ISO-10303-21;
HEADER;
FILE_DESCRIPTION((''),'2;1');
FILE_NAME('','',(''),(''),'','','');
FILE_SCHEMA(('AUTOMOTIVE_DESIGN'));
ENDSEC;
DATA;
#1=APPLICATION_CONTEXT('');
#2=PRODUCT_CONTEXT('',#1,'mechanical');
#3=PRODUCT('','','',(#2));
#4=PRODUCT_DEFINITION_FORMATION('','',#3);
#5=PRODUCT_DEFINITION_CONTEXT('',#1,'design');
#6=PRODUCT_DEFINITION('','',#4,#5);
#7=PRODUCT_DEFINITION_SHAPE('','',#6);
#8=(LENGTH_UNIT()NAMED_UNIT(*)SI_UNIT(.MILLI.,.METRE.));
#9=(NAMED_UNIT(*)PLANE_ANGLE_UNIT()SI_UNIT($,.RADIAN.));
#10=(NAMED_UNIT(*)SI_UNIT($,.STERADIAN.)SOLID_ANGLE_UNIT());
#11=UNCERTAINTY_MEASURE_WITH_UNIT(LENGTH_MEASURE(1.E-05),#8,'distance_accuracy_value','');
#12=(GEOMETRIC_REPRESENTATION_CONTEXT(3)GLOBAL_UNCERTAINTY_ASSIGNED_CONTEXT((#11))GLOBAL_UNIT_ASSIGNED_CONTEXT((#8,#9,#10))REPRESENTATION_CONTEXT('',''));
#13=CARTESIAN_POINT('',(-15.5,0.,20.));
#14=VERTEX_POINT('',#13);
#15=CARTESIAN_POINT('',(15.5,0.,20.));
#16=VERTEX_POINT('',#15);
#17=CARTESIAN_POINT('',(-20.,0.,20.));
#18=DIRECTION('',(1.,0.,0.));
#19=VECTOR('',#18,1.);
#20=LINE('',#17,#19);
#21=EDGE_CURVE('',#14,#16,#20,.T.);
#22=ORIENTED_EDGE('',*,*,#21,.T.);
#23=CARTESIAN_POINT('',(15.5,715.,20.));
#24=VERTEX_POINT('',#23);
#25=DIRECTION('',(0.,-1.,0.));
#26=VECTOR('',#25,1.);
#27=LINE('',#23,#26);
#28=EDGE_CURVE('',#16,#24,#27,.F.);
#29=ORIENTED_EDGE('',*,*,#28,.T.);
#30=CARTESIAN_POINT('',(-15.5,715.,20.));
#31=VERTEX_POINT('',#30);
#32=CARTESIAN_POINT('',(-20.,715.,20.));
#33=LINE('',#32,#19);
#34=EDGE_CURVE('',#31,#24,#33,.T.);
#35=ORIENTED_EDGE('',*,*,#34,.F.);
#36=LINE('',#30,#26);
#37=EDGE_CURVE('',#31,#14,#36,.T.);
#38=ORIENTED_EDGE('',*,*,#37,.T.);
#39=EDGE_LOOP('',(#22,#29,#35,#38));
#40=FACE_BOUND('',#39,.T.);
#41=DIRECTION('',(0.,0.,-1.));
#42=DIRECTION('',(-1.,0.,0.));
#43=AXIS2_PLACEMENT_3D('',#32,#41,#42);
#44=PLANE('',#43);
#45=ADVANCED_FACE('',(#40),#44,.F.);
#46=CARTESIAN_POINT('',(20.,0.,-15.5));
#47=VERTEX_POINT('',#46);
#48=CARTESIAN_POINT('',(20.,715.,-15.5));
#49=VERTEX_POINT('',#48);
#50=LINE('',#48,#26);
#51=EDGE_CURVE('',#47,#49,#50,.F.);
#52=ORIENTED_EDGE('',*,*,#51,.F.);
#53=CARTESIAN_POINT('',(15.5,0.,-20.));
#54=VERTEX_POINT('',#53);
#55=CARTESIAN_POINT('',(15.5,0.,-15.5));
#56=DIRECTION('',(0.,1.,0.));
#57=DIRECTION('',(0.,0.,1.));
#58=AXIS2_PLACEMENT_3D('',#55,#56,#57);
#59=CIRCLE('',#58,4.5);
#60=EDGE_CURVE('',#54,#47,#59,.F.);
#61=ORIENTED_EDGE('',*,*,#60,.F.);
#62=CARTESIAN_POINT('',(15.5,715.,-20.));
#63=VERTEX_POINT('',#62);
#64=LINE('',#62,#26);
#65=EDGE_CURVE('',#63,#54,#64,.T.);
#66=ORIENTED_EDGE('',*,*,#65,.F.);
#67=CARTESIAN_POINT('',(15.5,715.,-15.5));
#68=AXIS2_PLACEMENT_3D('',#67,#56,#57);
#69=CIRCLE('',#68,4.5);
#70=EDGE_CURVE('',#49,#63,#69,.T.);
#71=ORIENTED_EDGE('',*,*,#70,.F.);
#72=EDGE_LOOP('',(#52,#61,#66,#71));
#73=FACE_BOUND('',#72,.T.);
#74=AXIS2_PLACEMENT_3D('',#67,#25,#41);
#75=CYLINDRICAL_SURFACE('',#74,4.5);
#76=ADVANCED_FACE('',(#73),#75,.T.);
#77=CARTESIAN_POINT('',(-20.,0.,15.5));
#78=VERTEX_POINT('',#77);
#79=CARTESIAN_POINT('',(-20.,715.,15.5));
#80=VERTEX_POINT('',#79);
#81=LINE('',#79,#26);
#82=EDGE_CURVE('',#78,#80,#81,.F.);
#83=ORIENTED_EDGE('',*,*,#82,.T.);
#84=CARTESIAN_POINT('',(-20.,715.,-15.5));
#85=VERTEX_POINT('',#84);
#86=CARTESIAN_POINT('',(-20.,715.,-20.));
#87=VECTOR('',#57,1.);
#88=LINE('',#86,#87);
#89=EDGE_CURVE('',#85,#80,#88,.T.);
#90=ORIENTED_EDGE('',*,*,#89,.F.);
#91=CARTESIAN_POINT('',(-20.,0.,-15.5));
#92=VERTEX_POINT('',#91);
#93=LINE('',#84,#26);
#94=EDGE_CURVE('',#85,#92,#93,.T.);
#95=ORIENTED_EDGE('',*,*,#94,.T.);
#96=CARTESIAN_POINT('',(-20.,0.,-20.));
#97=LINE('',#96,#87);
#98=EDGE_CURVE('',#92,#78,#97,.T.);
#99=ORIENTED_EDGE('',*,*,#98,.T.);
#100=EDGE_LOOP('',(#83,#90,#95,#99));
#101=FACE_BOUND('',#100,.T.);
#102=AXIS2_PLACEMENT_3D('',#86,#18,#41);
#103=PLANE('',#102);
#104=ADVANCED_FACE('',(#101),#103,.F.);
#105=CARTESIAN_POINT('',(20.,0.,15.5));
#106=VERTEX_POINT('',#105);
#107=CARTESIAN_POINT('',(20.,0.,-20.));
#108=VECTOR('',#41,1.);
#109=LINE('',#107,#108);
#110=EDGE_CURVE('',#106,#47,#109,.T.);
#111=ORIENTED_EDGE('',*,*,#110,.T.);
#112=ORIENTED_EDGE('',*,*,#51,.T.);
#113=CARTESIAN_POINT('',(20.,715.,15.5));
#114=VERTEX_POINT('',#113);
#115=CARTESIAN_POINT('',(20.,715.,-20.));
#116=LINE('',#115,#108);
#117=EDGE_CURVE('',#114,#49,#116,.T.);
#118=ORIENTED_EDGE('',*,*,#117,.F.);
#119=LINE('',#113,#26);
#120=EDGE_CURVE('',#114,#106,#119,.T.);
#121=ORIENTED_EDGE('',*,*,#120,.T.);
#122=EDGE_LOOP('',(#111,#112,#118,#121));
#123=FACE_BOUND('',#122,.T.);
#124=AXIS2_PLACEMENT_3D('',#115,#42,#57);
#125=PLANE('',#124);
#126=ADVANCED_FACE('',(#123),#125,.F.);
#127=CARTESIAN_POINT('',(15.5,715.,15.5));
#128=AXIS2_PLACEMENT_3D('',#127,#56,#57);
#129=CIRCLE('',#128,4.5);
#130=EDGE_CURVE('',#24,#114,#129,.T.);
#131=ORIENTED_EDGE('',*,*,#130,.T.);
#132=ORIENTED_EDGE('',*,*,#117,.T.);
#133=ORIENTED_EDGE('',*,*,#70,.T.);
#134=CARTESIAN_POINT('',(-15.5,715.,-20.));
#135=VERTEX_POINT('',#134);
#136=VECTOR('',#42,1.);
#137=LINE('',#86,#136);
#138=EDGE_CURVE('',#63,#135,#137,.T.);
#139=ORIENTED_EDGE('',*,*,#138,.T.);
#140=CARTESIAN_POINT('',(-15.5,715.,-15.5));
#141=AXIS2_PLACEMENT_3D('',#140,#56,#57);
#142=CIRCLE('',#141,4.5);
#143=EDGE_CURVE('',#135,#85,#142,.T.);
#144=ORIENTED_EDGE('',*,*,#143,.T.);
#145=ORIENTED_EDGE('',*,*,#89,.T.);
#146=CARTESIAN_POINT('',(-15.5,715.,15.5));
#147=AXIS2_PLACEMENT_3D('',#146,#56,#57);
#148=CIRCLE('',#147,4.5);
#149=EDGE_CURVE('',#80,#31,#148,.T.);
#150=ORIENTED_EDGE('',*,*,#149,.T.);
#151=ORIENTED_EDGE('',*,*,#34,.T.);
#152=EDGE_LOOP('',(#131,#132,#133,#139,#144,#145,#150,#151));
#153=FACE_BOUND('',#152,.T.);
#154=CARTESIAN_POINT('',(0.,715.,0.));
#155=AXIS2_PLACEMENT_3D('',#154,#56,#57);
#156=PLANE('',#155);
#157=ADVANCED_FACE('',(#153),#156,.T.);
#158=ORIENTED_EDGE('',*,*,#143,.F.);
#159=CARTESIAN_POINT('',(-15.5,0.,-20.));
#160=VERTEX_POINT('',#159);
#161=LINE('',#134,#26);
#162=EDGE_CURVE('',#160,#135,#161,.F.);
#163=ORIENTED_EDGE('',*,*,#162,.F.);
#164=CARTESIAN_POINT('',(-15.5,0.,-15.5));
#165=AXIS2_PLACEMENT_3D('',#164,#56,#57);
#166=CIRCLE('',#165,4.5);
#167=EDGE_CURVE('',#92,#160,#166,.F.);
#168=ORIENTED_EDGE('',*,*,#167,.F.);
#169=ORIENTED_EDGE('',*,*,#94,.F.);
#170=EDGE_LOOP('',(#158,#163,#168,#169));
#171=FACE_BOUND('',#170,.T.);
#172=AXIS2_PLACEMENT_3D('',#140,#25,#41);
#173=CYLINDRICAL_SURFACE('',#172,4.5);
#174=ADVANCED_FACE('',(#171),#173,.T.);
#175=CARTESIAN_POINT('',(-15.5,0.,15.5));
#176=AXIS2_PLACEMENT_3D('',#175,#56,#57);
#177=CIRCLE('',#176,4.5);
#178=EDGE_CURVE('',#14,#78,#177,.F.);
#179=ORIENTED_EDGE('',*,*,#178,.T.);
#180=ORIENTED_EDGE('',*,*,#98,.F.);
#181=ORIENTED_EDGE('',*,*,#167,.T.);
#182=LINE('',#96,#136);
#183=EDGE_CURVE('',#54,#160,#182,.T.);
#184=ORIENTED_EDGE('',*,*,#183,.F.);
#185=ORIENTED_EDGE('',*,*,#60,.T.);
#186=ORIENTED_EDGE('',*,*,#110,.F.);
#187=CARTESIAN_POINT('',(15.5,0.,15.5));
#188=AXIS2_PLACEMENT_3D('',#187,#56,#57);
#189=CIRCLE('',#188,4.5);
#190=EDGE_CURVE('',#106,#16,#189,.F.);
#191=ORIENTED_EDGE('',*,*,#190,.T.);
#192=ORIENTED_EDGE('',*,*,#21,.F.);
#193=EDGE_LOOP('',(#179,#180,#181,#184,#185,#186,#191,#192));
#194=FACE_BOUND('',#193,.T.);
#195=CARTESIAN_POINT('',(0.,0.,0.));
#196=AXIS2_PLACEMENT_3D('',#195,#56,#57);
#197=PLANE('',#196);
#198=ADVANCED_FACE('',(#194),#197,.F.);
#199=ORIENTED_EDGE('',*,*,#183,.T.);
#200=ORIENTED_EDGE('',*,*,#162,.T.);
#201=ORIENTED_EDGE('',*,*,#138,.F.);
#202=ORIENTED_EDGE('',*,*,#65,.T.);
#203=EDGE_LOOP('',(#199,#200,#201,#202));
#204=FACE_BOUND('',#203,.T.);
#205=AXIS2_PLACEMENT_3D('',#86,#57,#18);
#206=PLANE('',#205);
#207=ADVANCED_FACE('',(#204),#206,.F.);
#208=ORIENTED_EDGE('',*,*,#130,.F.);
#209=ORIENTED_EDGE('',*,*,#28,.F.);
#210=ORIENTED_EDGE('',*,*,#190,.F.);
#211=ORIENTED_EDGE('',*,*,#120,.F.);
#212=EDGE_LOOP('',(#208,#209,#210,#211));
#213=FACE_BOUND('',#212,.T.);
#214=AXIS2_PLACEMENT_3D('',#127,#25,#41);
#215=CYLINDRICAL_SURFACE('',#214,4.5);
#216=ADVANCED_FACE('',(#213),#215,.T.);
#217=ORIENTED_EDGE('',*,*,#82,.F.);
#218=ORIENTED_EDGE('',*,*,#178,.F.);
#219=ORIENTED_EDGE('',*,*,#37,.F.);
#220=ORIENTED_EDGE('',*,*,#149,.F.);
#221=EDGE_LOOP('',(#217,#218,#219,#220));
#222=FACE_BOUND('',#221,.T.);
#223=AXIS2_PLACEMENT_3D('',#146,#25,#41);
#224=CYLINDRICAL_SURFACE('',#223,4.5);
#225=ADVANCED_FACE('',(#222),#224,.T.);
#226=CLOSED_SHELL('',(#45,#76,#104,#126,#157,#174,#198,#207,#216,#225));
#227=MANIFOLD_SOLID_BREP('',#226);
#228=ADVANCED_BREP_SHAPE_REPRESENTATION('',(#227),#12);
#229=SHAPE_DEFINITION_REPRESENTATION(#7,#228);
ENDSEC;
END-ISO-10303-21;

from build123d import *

# Parameters (mm, degrees)
SKETCH1_W           = 40
SKETCH1_H           = 40
BOSS_EXTRUDE1_DEPTH = 715
FILLET1_R           = 4.5


with BuildPart() as part:
    # Sketch1 → Boss-Extrude1 (new body)
    with BuildSketch(Plane(origin=(0, 0, 0), x_dir=(1, 0, 0), z_dir=(0, 1, 0))):
        Rectangle(SKETCH1_W, SKETCH1_H)
    extrude(amount=BOSS_EXTRUDE1_DEPTH)

    # Fillet1
    fillet1_edges = [part.edges().sort_by_distance(p)[0] for p in [
        (20, 357.5, 20),
        (-20, 357.5, 20),
        (-20, 357.5, -20),
        (20, 357.5, -20),
    ]]
    fillet(fillet1_edges, radius=FILLET1_R)


solid = part.part
